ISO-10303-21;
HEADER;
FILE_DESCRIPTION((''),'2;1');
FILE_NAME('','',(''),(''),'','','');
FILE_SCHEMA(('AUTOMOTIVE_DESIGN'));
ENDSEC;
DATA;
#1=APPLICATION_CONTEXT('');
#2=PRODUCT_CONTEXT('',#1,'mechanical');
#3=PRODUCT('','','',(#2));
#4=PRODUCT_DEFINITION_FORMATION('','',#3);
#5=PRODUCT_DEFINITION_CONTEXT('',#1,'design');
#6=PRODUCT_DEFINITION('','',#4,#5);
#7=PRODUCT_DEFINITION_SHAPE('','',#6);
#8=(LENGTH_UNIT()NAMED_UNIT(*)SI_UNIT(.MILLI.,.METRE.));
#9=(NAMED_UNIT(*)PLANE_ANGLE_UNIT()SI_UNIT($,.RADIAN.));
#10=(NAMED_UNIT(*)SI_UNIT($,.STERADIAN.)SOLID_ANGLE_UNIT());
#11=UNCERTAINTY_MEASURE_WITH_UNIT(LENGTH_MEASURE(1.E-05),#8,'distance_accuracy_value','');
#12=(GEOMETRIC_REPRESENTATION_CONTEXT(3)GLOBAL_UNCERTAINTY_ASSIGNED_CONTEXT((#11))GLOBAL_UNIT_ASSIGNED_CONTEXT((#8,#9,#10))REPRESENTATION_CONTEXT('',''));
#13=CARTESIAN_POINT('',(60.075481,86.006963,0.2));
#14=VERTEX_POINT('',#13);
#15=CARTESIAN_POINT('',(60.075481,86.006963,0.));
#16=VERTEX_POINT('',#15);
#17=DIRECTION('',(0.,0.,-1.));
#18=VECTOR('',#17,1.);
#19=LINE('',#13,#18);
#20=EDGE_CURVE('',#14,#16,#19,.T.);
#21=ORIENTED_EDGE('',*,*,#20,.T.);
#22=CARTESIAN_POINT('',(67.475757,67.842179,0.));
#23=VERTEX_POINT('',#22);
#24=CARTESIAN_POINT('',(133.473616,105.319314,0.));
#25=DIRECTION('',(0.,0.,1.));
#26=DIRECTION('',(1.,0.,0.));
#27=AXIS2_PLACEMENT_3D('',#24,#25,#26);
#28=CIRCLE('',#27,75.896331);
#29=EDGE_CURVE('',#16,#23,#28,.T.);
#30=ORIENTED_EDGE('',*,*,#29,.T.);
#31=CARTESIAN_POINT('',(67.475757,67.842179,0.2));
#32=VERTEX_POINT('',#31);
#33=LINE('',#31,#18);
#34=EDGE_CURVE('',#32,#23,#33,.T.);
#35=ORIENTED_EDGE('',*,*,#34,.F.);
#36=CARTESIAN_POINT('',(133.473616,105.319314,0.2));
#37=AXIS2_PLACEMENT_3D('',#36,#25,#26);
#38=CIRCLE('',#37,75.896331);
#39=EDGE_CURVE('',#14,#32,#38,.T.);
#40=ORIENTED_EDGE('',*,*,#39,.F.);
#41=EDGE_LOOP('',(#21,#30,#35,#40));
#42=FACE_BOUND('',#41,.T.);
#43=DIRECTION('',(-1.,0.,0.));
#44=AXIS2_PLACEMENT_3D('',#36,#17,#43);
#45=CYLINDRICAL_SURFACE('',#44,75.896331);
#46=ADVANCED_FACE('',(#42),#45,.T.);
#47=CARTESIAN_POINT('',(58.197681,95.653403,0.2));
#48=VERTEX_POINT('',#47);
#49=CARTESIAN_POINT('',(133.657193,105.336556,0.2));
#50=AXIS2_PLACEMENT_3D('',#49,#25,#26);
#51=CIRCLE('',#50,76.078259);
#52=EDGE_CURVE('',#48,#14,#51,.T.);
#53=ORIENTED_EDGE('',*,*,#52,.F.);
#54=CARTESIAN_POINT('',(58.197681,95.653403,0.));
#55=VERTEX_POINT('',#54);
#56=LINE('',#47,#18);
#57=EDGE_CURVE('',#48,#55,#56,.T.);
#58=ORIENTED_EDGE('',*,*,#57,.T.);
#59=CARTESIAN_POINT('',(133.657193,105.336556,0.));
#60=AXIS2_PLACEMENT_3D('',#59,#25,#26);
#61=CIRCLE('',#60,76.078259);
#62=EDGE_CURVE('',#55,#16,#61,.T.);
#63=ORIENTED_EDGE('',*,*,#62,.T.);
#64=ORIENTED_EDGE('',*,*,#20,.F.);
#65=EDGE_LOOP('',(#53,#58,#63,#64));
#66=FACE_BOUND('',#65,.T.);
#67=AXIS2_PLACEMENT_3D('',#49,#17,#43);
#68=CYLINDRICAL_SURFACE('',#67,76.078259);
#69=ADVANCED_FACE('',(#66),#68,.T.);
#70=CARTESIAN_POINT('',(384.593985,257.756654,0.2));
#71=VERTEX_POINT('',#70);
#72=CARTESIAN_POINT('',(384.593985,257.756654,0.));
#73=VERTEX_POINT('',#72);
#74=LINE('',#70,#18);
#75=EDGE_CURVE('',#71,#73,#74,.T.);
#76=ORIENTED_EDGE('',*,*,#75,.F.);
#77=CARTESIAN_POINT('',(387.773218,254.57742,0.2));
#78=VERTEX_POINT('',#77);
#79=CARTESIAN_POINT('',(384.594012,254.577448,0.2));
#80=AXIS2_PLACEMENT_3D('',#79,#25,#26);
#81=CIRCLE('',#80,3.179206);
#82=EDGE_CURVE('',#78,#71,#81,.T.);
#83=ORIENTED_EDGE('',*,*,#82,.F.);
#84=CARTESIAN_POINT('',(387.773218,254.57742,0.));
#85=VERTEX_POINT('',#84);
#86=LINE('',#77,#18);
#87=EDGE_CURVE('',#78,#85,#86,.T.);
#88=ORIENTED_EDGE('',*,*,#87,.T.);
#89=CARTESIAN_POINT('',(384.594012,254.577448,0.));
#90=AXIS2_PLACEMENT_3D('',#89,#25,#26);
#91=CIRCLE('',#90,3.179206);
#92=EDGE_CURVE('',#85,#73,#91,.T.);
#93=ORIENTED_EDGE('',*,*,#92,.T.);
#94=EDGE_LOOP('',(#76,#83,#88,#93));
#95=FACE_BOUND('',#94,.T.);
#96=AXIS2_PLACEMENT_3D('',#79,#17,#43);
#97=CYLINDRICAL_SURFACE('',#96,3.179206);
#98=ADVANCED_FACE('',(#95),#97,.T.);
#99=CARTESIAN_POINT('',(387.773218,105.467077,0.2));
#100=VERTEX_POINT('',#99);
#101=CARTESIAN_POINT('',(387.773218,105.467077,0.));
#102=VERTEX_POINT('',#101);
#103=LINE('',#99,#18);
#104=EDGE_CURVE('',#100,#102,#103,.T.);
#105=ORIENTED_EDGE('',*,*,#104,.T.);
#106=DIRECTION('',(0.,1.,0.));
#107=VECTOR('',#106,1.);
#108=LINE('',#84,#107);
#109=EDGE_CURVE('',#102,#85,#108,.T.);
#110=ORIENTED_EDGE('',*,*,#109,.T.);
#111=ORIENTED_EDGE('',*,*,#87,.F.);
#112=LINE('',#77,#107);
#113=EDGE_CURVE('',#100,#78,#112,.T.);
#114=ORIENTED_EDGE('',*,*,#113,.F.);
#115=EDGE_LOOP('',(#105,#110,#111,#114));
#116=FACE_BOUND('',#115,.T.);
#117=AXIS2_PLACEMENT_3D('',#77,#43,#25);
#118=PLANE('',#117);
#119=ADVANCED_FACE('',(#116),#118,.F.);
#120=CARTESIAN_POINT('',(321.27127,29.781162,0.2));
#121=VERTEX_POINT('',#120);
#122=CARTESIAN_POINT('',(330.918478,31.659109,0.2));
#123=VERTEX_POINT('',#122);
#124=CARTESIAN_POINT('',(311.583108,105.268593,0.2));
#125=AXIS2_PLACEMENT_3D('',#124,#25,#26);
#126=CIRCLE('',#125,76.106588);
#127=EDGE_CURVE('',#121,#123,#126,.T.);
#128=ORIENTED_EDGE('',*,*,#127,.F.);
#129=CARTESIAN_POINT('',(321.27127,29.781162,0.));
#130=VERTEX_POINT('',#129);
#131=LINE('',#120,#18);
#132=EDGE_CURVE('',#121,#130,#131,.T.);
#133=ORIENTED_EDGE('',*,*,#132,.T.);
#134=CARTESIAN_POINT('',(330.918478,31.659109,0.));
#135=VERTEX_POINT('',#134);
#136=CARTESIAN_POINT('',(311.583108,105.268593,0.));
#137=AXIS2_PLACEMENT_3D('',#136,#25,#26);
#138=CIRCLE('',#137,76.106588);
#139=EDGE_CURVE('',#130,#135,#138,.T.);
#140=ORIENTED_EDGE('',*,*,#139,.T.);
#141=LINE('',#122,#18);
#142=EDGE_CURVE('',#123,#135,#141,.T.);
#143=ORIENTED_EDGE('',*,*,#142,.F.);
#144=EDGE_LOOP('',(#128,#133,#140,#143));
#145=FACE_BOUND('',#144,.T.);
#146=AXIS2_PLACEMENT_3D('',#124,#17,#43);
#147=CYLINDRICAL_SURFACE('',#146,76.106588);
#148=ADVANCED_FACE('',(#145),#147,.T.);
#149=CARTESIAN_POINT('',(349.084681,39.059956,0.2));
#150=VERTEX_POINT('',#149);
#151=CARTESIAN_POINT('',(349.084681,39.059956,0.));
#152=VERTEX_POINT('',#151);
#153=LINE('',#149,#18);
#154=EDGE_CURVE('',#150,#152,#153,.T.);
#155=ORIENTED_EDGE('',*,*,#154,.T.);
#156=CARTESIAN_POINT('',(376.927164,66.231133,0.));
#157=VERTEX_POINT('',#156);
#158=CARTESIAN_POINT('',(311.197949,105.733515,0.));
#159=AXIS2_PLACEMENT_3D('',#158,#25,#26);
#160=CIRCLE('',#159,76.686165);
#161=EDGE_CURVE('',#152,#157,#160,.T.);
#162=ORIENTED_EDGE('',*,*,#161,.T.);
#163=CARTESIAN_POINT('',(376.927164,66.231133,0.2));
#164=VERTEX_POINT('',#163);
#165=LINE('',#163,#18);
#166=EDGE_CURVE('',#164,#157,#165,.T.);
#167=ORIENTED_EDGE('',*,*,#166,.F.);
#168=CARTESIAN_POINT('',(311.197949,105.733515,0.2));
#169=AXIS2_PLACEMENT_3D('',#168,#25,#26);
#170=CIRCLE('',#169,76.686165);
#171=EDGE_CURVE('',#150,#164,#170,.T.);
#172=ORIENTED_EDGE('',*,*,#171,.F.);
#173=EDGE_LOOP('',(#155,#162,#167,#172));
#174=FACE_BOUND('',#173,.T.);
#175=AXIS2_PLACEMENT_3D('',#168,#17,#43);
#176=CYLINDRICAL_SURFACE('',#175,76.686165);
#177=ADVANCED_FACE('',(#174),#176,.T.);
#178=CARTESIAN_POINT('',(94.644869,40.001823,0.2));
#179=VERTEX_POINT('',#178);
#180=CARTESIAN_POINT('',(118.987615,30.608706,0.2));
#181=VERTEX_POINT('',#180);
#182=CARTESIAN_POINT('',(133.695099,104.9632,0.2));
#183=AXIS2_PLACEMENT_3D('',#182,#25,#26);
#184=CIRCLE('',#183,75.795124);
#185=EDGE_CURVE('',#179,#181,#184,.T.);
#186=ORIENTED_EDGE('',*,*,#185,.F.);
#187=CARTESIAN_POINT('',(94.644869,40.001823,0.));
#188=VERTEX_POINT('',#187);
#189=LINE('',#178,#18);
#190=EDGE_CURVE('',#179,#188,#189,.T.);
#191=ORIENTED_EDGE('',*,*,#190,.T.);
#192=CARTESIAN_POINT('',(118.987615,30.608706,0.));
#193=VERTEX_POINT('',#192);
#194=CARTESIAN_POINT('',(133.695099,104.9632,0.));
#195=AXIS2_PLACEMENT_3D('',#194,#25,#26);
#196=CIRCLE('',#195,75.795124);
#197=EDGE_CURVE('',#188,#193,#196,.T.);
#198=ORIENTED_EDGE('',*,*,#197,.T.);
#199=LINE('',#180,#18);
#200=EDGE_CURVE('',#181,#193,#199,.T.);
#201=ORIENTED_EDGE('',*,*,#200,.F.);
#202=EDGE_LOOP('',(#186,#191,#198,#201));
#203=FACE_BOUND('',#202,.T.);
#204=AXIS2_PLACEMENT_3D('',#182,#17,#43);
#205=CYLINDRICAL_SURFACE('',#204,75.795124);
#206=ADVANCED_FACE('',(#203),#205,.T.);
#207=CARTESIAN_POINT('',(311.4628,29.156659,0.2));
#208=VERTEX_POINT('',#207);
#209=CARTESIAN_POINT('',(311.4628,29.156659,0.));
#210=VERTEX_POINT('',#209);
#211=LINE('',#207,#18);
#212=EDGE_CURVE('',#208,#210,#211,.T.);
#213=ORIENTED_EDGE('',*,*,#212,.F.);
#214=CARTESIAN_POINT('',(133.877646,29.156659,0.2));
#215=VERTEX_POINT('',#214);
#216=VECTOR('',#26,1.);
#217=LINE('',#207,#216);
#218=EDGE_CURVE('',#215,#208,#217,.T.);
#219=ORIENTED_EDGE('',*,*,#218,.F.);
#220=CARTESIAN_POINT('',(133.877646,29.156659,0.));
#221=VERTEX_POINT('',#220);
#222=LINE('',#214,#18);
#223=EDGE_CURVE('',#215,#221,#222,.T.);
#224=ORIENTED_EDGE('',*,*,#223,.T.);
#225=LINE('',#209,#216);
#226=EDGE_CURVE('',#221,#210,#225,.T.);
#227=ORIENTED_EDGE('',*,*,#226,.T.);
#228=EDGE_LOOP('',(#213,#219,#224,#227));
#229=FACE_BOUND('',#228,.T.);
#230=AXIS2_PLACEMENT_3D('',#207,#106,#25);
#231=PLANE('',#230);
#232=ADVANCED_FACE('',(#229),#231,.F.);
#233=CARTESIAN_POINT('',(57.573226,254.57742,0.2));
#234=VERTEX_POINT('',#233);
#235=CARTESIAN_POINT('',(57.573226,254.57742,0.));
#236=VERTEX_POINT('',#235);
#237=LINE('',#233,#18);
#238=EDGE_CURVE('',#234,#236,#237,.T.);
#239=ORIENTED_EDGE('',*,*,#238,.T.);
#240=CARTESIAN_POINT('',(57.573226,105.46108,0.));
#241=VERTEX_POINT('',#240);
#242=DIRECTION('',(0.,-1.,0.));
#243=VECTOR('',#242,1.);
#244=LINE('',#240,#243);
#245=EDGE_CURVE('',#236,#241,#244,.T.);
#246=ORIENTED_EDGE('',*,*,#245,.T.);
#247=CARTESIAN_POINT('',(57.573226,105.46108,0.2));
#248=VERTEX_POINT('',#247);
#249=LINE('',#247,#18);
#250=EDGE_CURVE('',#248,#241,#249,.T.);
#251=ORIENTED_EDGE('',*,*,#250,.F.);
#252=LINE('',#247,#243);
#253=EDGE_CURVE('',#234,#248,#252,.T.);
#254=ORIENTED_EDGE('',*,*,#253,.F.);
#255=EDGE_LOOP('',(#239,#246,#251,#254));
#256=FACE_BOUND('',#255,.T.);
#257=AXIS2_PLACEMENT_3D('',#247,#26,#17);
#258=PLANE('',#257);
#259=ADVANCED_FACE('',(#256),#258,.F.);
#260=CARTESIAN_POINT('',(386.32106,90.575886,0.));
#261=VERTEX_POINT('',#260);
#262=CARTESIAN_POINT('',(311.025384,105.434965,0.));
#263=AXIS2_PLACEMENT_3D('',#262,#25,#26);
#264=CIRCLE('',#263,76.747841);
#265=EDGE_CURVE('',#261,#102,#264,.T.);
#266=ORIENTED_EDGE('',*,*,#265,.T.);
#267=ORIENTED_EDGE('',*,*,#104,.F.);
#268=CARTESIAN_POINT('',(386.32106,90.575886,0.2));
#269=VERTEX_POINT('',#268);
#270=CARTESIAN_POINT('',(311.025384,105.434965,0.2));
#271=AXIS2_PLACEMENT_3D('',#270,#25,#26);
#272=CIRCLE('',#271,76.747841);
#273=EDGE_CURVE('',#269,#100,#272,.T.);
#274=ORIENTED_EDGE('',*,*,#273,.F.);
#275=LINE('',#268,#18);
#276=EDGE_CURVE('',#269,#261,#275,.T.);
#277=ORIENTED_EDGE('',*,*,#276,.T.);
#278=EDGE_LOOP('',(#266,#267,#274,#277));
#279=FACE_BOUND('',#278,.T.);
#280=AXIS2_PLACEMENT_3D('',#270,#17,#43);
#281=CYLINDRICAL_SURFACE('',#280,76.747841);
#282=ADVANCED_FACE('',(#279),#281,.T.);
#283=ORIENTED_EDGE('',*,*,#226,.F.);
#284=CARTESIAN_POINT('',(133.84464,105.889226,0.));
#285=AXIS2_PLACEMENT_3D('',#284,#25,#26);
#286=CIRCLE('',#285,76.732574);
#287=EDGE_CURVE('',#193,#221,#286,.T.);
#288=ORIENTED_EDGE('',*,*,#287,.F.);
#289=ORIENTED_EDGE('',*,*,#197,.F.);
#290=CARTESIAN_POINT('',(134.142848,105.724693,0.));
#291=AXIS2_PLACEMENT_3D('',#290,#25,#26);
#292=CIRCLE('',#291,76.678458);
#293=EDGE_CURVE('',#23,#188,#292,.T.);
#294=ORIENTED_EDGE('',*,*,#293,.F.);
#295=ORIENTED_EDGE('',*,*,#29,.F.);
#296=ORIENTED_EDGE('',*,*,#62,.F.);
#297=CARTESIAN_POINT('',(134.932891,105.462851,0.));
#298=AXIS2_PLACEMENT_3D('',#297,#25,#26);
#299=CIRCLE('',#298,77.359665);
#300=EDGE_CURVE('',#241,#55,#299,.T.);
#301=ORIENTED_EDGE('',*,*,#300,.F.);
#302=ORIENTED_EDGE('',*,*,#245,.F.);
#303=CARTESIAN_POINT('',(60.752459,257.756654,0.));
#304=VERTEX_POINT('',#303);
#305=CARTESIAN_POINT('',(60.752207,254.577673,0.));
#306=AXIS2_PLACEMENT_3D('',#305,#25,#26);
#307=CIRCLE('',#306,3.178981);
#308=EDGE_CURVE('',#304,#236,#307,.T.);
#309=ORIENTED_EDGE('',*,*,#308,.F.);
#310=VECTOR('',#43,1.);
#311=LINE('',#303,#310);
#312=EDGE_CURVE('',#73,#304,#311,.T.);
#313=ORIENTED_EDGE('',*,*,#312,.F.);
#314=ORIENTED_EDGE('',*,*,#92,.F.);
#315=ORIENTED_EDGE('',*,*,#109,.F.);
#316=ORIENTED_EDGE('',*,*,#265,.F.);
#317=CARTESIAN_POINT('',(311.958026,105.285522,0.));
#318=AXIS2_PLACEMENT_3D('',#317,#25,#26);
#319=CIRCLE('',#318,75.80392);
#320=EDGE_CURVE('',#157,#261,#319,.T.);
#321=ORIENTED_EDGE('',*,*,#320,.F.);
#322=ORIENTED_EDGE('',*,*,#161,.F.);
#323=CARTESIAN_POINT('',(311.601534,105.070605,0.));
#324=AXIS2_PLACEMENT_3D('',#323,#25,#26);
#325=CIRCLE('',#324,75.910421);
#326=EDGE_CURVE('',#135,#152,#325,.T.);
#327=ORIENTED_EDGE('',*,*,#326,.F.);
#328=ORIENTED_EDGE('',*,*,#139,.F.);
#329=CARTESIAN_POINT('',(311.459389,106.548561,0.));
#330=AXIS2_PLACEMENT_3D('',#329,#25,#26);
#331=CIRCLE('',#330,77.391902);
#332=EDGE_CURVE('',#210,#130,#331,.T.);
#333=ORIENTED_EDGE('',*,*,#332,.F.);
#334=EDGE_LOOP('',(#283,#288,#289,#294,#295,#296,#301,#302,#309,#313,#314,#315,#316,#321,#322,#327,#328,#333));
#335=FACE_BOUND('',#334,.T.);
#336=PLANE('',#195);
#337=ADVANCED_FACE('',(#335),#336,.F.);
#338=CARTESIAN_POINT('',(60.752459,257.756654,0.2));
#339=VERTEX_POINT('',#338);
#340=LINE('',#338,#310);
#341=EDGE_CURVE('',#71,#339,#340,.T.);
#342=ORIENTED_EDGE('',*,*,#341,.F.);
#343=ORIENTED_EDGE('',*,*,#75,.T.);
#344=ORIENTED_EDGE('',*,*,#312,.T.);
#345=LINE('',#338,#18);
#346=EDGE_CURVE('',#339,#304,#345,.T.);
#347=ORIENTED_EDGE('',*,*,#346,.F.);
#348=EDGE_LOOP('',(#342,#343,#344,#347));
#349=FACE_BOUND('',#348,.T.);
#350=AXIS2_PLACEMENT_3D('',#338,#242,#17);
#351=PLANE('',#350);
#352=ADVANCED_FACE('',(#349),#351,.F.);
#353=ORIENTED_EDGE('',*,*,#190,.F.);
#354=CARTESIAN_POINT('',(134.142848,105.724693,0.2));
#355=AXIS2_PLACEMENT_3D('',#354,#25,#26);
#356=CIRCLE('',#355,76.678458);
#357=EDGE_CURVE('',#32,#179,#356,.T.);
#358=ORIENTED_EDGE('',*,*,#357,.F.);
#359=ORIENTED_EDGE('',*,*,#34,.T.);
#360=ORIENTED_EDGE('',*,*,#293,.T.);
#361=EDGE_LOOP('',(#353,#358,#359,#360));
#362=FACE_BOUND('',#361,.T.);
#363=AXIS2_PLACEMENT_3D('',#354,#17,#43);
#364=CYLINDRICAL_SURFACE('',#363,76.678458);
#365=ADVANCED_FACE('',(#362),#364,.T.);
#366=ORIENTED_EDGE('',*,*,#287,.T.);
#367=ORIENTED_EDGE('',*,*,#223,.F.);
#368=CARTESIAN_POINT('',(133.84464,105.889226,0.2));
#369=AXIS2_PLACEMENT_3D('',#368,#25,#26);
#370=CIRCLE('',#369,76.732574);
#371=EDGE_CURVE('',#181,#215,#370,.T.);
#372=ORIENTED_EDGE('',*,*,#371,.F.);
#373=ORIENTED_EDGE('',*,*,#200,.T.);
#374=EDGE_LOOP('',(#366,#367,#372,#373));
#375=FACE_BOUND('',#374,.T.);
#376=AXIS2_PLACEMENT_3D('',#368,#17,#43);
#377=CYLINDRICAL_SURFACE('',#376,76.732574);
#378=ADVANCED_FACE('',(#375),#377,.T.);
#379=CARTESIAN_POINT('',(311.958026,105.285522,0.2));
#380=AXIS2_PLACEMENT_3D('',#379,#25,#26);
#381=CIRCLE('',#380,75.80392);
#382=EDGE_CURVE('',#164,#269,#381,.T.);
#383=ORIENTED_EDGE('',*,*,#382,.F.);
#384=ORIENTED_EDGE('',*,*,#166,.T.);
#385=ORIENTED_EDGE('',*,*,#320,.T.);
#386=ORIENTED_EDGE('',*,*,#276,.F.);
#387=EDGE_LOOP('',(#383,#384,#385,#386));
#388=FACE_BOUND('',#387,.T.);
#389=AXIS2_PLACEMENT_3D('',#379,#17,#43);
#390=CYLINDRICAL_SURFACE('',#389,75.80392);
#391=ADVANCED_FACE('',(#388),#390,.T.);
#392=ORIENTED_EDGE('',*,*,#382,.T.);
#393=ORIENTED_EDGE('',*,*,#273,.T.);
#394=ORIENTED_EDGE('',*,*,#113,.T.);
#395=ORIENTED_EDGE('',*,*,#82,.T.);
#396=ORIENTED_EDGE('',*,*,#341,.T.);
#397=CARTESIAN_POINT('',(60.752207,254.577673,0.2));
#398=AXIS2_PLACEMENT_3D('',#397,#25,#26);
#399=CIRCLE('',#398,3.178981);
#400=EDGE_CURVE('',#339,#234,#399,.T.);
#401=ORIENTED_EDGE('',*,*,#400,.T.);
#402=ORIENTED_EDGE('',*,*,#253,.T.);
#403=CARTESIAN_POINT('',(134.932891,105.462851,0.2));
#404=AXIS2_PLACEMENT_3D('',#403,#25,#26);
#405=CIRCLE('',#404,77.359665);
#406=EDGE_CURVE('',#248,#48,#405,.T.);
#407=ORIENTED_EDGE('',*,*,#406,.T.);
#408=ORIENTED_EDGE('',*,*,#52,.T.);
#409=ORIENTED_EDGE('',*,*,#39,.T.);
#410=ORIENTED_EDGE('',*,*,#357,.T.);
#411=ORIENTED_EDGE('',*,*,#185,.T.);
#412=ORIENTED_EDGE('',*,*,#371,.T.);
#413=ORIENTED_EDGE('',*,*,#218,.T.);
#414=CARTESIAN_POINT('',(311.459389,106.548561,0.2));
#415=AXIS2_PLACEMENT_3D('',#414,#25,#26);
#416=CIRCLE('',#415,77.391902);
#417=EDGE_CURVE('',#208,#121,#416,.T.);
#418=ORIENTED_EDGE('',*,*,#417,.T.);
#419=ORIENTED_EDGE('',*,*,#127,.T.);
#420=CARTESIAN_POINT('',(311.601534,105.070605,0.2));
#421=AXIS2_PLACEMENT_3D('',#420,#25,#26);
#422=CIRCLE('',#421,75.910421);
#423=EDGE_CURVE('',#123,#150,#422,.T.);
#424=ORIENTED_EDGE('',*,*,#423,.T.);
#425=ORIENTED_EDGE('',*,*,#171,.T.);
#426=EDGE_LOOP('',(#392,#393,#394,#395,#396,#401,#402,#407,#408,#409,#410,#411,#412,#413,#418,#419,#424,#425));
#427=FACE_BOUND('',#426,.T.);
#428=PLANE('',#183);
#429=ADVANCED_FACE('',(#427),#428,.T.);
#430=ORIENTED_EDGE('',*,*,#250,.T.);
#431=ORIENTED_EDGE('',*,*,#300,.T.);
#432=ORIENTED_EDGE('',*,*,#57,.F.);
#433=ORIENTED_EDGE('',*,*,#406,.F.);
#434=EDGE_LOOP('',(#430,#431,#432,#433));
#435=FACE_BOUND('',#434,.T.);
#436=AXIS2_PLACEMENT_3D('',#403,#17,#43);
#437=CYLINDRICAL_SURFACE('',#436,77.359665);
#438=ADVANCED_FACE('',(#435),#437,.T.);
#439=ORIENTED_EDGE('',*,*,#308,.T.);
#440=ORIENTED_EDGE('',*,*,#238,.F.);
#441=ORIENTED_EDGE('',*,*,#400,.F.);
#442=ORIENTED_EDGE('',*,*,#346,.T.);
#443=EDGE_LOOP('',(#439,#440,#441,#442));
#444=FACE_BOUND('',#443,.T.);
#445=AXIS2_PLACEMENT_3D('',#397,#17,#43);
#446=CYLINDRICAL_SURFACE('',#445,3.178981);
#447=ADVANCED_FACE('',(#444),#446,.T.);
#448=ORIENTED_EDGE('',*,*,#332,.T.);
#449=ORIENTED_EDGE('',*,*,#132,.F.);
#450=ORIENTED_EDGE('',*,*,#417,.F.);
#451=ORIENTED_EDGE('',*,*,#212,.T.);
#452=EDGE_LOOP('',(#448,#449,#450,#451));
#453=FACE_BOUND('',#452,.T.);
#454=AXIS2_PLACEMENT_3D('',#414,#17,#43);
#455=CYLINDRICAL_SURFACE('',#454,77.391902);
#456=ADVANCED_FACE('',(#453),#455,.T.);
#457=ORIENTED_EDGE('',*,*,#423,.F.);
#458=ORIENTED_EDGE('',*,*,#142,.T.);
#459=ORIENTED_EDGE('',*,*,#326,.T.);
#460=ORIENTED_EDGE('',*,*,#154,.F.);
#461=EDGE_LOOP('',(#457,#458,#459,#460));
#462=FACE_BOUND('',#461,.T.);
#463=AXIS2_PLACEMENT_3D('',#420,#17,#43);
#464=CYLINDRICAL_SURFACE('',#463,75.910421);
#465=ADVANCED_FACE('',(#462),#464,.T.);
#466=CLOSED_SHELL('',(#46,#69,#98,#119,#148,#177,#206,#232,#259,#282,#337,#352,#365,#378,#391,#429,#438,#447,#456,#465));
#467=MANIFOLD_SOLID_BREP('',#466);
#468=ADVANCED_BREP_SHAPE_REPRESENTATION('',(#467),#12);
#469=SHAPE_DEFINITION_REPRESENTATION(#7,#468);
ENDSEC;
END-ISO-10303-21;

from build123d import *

# Parameters (mm, degrees)
BOSS_EXTRUDE1_DEPTH = 0.2


with BuildPart() as part:
    # Model → Boss-Extrude1 (new body)
    with BuildSketch(Plane.XY):
        with BuildLine():
            Line((311.4628, 29.156659), (133.877646, 29.156659))
            ThreePointArc((133.877646, 29.156659), (126.397157508, 29.518924603), (118.987614901, 30.608705684))
            ThreePointArc((118.987614901, 30.608705684), (106.409010734, 34.249903459), (94.644869283, 40.001823133))
            ThreePointArc((94.644869283, 40.001823133), (79.265467697, 52.17043009), (67.475756788, 67.842178719))
            ThreePointArc((67.475756788, 67.842178719), (63.186343849, 76.684502016), (60.075481308, 86.006963006))
            ThreePointArc((60.075481308, 86.006963006), (58.980656761, 90.799830304), (58.197680672, 95.65340282))
            ThreePointArc((58.197680672, 95.65340282), (57.729553743, 100.547315285), (57.573226, 105.46108))
            Line((57.573226, 105.46108), (57.573226, 254.57742))
            ThreePointArc((57.573226, 254.57742), (58.504327705, 256.825551588), (60.752459, 257.756654))
            Line((60.752459, 257.756654), (384.593985, 257.756654))
            ThreePointArc((384.593985, 257.756654), (386.842050539, 256.825485831), (387.773218, 254.57742))
            Line((387.773218, 254.57742), (387.773218, 105.467077))
            ThreePointArc((387.773218, 105.467077), (387.410880841, 97.986010389), (386.32106007, 90.575886467))
            ThreePointArc((386.32106007, 90.575886467), (382.679524191, 77.996258298), (376.927164051, 66.23113266))
            ThreePointArc((376.927164051, 66.23113266), (364.757582557, 50.850607234), (349.084681404, 39.059956465))
            ThreePointArc((349.084681404, 39.059956465), (340.241641266, 34.770275582), (330.918478465, 31.659109186))
            ThreePointArc((330.918478465, 31.659109186), (326.125220503, 30.5642449), (321.271270405, 29.781162436))
            ThreePointArc((321.271270405, 29.781162436), (316.376958763, 29.313050964), (311.4628, 29.156659))
        make_face()
    extrude(amount=BOSS_EXTRUDE1_DEPTH)


solid = part.part
